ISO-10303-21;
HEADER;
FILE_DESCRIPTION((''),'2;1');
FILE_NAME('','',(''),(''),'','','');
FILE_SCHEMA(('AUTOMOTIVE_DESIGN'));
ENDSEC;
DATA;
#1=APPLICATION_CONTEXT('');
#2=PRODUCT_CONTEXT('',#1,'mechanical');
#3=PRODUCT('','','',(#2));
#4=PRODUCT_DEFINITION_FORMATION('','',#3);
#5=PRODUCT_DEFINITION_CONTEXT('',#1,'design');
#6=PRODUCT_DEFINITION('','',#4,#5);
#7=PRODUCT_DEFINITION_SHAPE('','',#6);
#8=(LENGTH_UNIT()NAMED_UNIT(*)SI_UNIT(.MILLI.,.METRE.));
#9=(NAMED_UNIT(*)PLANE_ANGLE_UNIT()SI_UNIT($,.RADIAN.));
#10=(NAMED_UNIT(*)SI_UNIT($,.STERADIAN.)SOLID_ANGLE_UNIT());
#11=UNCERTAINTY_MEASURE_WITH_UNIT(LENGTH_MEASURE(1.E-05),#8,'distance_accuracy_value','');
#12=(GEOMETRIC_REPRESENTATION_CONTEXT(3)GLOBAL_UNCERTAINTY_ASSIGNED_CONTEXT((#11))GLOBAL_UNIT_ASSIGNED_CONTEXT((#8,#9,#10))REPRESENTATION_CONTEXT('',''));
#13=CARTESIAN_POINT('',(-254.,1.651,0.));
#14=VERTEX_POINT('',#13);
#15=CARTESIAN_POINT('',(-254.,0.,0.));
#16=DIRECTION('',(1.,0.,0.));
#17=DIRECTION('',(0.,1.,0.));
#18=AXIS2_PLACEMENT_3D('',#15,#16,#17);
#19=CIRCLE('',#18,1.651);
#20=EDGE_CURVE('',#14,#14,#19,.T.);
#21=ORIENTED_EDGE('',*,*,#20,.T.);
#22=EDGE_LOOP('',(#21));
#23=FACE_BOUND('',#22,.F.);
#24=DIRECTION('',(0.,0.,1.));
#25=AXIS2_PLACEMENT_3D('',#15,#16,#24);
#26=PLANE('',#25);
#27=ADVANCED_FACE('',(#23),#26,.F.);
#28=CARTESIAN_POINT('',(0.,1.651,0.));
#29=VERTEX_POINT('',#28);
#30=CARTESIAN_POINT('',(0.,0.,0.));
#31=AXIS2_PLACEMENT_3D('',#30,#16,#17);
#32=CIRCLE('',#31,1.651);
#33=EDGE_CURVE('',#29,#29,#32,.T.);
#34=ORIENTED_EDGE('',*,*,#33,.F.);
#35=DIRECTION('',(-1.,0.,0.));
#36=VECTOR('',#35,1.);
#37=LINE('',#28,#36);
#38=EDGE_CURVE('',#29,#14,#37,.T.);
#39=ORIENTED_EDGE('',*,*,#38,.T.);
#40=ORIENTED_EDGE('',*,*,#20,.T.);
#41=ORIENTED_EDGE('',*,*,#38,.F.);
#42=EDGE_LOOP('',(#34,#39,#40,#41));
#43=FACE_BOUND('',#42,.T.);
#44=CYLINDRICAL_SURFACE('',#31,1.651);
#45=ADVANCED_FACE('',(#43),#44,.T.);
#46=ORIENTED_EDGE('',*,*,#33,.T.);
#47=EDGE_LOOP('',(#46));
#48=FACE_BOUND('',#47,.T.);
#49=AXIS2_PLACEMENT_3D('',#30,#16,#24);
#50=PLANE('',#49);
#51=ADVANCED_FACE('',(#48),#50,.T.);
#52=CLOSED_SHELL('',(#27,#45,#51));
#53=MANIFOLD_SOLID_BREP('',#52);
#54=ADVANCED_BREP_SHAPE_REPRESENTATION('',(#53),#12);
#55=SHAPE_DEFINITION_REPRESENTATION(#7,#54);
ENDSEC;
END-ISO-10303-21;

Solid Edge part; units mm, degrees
sketch "Sketch1" plane through (0, 0, 0) normal (1, 0, 0) x (0, 1, 0)
  circle A0 centre (0, 0) radius 1.651
extrude "Protrusion1" add sketch "Sketch1" against normal blind 254
